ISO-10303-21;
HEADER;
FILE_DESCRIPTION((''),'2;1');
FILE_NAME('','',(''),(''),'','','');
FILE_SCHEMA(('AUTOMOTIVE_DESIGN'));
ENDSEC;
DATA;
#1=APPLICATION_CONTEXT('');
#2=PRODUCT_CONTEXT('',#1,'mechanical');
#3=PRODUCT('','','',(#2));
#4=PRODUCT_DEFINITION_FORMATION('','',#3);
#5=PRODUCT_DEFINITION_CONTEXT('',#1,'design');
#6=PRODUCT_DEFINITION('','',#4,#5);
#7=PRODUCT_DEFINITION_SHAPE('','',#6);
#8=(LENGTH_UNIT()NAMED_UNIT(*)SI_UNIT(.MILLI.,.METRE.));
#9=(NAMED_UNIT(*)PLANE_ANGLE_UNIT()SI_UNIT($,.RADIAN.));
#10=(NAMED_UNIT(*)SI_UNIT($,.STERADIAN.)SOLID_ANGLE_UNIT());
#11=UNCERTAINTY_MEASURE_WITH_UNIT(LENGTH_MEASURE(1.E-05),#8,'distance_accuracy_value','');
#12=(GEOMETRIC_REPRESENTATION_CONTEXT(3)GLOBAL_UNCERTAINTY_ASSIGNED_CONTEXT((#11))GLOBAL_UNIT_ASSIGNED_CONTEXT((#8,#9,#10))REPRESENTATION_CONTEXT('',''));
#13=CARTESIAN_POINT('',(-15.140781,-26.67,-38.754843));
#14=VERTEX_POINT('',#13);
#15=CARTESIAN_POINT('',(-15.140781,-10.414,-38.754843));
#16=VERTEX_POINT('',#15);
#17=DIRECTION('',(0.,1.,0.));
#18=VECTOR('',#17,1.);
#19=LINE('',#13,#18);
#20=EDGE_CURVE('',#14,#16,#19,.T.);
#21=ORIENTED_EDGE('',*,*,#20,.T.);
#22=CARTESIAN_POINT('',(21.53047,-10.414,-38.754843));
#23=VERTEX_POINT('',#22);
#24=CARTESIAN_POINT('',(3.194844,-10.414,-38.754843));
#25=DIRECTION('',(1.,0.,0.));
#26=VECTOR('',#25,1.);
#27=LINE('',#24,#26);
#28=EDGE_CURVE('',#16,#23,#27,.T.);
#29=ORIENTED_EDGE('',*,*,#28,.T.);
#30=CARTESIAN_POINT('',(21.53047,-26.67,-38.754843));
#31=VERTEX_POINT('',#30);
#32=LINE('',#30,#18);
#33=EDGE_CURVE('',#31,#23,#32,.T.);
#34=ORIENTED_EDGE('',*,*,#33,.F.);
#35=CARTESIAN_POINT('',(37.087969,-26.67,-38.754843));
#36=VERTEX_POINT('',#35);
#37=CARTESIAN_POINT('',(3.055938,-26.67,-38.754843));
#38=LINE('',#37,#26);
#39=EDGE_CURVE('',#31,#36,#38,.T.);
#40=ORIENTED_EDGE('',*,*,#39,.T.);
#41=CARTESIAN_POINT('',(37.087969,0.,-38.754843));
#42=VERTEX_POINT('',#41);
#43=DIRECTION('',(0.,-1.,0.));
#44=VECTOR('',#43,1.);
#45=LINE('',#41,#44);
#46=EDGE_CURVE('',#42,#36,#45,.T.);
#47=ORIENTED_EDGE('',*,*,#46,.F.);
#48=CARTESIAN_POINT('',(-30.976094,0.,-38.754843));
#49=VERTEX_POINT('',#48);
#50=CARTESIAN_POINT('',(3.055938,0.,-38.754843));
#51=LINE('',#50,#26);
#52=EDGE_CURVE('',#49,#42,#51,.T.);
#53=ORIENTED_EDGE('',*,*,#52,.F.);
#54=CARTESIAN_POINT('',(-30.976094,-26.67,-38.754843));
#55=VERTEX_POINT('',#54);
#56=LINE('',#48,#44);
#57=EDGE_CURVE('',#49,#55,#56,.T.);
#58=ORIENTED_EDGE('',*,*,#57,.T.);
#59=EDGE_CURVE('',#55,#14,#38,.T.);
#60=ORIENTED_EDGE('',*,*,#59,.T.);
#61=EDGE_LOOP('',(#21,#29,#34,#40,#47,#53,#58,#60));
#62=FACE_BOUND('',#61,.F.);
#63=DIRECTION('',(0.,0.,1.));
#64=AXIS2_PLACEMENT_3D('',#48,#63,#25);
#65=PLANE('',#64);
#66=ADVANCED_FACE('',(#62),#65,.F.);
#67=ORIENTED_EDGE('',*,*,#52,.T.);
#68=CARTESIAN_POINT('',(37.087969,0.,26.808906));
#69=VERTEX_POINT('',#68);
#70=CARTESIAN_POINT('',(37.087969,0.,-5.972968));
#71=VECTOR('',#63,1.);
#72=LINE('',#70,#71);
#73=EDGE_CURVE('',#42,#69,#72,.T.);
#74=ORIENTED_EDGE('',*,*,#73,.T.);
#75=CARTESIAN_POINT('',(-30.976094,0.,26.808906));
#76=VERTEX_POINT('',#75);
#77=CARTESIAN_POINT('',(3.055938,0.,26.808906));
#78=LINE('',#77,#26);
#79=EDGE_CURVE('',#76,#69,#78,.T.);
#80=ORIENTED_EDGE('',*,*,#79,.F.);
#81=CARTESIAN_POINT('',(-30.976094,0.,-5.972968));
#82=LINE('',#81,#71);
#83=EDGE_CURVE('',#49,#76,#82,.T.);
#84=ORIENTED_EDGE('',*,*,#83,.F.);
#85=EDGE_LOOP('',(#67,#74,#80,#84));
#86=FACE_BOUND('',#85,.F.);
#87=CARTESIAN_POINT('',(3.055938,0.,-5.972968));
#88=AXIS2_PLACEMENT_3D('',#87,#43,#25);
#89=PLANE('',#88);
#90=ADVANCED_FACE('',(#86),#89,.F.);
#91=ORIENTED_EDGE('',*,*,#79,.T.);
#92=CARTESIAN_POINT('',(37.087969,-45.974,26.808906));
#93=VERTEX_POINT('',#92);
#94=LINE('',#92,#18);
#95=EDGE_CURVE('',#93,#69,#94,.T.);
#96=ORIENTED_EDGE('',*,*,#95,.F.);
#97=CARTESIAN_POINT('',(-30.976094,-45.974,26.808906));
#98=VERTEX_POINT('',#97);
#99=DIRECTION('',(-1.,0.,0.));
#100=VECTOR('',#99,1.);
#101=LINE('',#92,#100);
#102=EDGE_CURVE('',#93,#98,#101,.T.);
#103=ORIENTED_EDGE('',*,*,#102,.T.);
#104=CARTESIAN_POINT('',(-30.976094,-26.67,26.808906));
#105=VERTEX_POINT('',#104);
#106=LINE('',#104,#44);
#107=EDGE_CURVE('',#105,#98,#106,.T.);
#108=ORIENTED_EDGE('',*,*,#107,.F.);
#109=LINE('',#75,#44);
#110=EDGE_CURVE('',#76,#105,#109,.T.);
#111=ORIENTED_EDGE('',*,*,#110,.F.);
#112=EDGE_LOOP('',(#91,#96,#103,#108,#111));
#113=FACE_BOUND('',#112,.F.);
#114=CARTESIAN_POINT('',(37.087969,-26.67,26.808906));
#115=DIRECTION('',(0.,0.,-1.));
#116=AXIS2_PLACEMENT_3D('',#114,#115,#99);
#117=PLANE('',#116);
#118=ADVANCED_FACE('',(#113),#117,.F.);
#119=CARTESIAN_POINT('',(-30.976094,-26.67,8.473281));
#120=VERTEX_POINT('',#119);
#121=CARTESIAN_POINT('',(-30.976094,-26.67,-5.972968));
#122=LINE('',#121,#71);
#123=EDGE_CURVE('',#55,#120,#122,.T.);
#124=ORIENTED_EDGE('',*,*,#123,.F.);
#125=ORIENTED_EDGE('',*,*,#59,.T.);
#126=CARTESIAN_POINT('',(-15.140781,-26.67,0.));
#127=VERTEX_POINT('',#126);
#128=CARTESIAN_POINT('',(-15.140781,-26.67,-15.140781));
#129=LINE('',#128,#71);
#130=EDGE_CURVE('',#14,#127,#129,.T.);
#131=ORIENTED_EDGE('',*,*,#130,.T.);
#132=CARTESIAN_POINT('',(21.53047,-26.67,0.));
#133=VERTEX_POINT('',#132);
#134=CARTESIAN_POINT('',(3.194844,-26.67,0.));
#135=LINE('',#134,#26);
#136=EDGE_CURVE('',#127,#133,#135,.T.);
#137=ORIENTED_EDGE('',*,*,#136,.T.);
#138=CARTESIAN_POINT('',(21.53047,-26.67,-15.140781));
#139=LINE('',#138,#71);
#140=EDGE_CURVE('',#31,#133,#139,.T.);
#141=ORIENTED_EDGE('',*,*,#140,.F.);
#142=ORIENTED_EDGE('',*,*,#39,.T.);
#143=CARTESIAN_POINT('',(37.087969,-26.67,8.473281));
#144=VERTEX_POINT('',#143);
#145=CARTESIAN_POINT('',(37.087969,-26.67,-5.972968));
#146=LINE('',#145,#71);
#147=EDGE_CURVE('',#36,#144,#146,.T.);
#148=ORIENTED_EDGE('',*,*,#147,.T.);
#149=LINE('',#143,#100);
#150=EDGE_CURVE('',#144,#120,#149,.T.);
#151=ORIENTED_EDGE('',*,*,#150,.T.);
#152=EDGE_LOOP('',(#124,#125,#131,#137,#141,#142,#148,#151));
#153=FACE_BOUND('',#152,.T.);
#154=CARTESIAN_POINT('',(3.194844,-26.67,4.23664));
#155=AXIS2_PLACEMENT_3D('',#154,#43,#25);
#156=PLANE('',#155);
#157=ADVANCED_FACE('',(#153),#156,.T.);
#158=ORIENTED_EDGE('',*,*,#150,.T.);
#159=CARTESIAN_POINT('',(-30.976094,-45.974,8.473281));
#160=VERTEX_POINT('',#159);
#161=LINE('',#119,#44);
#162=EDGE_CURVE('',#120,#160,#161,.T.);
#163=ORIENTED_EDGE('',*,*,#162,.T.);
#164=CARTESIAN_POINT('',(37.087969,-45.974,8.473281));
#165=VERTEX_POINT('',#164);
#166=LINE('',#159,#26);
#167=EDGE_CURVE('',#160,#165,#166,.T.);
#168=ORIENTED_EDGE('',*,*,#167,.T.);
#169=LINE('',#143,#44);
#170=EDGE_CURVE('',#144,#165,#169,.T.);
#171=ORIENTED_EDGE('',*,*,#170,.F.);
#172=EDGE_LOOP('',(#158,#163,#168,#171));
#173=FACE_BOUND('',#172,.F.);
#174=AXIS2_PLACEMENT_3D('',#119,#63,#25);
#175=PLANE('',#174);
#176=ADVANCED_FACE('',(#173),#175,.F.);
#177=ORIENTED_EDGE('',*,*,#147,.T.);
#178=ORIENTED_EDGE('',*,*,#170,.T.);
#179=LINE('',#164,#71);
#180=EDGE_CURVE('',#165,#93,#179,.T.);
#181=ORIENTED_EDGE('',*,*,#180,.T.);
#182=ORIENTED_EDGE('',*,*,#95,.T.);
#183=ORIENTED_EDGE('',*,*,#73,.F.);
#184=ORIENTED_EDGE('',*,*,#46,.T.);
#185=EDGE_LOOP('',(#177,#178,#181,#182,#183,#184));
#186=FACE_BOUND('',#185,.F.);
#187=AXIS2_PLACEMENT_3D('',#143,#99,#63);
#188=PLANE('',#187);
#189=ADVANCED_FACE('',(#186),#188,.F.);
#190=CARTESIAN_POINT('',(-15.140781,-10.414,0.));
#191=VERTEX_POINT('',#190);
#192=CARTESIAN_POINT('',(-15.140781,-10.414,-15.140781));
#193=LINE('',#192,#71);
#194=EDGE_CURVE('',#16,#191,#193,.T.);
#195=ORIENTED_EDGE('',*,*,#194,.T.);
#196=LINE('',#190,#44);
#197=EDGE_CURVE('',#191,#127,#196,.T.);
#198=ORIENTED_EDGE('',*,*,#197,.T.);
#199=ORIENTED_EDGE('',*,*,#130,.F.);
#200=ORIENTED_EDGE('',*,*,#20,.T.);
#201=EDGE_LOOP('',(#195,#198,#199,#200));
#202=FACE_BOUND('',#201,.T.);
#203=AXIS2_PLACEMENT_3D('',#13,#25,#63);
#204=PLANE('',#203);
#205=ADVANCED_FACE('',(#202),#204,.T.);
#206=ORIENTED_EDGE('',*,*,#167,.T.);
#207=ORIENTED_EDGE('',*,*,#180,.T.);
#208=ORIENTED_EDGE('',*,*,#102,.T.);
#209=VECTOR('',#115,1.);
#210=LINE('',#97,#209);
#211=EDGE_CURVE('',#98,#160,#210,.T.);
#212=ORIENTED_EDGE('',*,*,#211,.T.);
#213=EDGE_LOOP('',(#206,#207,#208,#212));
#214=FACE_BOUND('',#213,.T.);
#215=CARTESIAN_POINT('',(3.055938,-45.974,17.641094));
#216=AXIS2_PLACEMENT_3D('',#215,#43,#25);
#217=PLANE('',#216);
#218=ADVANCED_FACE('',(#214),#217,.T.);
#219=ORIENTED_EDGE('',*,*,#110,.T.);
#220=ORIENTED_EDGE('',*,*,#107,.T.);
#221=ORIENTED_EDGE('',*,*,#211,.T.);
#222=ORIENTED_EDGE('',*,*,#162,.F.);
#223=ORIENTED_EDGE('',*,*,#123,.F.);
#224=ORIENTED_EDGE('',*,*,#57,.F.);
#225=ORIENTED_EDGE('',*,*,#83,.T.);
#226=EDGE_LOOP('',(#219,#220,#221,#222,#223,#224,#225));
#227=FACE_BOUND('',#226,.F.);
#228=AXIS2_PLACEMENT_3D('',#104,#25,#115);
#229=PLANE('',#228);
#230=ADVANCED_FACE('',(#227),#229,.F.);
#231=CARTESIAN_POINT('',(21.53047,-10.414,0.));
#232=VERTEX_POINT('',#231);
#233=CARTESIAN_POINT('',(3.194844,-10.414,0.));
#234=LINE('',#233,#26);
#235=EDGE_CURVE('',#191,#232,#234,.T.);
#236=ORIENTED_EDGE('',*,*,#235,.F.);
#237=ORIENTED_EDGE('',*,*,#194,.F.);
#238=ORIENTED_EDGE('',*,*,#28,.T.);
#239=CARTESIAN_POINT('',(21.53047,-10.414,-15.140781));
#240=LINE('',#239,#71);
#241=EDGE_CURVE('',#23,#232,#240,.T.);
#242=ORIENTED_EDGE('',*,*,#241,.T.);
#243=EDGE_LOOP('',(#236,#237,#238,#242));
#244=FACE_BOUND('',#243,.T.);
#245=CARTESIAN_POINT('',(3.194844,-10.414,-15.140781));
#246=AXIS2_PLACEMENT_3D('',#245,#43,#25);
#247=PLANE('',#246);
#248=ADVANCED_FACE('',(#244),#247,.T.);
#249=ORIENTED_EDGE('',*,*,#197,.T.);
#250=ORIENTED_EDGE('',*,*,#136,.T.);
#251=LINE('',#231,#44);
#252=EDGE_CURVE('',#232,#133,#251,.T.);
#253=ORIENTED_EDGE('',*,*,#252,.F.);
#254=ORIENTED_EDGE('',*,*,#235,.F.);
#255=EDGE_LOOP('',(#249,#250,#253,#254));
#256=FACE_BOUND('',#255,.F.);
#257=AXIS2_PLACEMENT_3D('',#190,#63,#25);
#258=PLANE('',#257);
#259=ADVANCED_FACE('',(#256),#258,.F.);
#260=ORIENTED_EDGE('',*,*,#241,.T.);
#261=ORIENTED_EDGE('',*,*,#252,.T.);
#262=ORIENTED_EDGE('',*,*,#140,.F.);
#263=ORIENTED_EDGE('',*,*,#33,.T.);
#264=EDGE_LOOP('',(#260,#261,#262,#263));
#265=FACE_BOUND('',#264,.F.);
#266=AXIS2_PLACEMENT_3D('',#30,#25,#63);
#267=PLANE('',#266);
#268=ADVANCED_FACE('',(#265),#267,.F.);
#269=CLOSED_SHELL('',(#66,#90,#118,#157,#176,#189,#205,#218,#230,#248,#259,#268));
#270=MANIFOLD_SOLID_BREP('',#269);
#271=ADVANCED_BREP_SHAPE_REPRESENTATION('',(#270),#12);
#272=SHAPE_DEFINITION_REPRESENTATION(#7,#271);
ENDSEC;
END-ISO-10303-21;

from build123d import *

# Parameters (mm, degrees)
F0_W     = 68.0640637875
F0_H     = 65.563749522
F1_DEPTH = 26.67
F2_W     = 36.6712510586
F2_H     = 47.2281239927
F3_DEPTH = 16.256
F5_DEPTH = 19.304
F6_W     = 36.6712510586
F6_H     = 8.4732808173
F7_DEPTH = 16.256


with BuildPart() as f1:
    # F0 (on Front) → F1 (new body)
    with BuildSketch(Plane.XZ):
        with Locations((3.0559375882, -5.9729684144)):
            Rectangle(F0_W, F0_H)
    extrude(amount=F1_DEPTH)

    # F2 (on face) → F3 (cut)
    with BuildSketch(Plane.XZ.offset(26.67)):
        with Locations((3.1948443502, -15.1407811791)):
            Rectangle(F2_W, F2_H)
    extrude(amount=-F3_DEPTH, mode=Mode.SUBTRACT)

    # F4 (on face) → F5 (join)
    with BuildSketch(Plane.XZ.offset(26.67)):
        Polygon((37.0879694819, 26.8089063466), (-30.9760943055, 26.8089063466), (-30.9760943055, 8.4732808173), (-15.1407811791, 8.4732808173), (21.5304698795, 8.4732808173), (37.0879694819, 8.4732808173), align=None)
    extrude(amount=F5_DEPTH)

    # F6 (on face) → F7 (join)
    with BuildSketch(Plane.XZ.offset(10.414)):
        with Locations((3.1948443502, 4.2366404086)):
            Rectangle(F6_W, F6_H)
    extrude(amount=F7_DEPTH)


solid = f1.part
